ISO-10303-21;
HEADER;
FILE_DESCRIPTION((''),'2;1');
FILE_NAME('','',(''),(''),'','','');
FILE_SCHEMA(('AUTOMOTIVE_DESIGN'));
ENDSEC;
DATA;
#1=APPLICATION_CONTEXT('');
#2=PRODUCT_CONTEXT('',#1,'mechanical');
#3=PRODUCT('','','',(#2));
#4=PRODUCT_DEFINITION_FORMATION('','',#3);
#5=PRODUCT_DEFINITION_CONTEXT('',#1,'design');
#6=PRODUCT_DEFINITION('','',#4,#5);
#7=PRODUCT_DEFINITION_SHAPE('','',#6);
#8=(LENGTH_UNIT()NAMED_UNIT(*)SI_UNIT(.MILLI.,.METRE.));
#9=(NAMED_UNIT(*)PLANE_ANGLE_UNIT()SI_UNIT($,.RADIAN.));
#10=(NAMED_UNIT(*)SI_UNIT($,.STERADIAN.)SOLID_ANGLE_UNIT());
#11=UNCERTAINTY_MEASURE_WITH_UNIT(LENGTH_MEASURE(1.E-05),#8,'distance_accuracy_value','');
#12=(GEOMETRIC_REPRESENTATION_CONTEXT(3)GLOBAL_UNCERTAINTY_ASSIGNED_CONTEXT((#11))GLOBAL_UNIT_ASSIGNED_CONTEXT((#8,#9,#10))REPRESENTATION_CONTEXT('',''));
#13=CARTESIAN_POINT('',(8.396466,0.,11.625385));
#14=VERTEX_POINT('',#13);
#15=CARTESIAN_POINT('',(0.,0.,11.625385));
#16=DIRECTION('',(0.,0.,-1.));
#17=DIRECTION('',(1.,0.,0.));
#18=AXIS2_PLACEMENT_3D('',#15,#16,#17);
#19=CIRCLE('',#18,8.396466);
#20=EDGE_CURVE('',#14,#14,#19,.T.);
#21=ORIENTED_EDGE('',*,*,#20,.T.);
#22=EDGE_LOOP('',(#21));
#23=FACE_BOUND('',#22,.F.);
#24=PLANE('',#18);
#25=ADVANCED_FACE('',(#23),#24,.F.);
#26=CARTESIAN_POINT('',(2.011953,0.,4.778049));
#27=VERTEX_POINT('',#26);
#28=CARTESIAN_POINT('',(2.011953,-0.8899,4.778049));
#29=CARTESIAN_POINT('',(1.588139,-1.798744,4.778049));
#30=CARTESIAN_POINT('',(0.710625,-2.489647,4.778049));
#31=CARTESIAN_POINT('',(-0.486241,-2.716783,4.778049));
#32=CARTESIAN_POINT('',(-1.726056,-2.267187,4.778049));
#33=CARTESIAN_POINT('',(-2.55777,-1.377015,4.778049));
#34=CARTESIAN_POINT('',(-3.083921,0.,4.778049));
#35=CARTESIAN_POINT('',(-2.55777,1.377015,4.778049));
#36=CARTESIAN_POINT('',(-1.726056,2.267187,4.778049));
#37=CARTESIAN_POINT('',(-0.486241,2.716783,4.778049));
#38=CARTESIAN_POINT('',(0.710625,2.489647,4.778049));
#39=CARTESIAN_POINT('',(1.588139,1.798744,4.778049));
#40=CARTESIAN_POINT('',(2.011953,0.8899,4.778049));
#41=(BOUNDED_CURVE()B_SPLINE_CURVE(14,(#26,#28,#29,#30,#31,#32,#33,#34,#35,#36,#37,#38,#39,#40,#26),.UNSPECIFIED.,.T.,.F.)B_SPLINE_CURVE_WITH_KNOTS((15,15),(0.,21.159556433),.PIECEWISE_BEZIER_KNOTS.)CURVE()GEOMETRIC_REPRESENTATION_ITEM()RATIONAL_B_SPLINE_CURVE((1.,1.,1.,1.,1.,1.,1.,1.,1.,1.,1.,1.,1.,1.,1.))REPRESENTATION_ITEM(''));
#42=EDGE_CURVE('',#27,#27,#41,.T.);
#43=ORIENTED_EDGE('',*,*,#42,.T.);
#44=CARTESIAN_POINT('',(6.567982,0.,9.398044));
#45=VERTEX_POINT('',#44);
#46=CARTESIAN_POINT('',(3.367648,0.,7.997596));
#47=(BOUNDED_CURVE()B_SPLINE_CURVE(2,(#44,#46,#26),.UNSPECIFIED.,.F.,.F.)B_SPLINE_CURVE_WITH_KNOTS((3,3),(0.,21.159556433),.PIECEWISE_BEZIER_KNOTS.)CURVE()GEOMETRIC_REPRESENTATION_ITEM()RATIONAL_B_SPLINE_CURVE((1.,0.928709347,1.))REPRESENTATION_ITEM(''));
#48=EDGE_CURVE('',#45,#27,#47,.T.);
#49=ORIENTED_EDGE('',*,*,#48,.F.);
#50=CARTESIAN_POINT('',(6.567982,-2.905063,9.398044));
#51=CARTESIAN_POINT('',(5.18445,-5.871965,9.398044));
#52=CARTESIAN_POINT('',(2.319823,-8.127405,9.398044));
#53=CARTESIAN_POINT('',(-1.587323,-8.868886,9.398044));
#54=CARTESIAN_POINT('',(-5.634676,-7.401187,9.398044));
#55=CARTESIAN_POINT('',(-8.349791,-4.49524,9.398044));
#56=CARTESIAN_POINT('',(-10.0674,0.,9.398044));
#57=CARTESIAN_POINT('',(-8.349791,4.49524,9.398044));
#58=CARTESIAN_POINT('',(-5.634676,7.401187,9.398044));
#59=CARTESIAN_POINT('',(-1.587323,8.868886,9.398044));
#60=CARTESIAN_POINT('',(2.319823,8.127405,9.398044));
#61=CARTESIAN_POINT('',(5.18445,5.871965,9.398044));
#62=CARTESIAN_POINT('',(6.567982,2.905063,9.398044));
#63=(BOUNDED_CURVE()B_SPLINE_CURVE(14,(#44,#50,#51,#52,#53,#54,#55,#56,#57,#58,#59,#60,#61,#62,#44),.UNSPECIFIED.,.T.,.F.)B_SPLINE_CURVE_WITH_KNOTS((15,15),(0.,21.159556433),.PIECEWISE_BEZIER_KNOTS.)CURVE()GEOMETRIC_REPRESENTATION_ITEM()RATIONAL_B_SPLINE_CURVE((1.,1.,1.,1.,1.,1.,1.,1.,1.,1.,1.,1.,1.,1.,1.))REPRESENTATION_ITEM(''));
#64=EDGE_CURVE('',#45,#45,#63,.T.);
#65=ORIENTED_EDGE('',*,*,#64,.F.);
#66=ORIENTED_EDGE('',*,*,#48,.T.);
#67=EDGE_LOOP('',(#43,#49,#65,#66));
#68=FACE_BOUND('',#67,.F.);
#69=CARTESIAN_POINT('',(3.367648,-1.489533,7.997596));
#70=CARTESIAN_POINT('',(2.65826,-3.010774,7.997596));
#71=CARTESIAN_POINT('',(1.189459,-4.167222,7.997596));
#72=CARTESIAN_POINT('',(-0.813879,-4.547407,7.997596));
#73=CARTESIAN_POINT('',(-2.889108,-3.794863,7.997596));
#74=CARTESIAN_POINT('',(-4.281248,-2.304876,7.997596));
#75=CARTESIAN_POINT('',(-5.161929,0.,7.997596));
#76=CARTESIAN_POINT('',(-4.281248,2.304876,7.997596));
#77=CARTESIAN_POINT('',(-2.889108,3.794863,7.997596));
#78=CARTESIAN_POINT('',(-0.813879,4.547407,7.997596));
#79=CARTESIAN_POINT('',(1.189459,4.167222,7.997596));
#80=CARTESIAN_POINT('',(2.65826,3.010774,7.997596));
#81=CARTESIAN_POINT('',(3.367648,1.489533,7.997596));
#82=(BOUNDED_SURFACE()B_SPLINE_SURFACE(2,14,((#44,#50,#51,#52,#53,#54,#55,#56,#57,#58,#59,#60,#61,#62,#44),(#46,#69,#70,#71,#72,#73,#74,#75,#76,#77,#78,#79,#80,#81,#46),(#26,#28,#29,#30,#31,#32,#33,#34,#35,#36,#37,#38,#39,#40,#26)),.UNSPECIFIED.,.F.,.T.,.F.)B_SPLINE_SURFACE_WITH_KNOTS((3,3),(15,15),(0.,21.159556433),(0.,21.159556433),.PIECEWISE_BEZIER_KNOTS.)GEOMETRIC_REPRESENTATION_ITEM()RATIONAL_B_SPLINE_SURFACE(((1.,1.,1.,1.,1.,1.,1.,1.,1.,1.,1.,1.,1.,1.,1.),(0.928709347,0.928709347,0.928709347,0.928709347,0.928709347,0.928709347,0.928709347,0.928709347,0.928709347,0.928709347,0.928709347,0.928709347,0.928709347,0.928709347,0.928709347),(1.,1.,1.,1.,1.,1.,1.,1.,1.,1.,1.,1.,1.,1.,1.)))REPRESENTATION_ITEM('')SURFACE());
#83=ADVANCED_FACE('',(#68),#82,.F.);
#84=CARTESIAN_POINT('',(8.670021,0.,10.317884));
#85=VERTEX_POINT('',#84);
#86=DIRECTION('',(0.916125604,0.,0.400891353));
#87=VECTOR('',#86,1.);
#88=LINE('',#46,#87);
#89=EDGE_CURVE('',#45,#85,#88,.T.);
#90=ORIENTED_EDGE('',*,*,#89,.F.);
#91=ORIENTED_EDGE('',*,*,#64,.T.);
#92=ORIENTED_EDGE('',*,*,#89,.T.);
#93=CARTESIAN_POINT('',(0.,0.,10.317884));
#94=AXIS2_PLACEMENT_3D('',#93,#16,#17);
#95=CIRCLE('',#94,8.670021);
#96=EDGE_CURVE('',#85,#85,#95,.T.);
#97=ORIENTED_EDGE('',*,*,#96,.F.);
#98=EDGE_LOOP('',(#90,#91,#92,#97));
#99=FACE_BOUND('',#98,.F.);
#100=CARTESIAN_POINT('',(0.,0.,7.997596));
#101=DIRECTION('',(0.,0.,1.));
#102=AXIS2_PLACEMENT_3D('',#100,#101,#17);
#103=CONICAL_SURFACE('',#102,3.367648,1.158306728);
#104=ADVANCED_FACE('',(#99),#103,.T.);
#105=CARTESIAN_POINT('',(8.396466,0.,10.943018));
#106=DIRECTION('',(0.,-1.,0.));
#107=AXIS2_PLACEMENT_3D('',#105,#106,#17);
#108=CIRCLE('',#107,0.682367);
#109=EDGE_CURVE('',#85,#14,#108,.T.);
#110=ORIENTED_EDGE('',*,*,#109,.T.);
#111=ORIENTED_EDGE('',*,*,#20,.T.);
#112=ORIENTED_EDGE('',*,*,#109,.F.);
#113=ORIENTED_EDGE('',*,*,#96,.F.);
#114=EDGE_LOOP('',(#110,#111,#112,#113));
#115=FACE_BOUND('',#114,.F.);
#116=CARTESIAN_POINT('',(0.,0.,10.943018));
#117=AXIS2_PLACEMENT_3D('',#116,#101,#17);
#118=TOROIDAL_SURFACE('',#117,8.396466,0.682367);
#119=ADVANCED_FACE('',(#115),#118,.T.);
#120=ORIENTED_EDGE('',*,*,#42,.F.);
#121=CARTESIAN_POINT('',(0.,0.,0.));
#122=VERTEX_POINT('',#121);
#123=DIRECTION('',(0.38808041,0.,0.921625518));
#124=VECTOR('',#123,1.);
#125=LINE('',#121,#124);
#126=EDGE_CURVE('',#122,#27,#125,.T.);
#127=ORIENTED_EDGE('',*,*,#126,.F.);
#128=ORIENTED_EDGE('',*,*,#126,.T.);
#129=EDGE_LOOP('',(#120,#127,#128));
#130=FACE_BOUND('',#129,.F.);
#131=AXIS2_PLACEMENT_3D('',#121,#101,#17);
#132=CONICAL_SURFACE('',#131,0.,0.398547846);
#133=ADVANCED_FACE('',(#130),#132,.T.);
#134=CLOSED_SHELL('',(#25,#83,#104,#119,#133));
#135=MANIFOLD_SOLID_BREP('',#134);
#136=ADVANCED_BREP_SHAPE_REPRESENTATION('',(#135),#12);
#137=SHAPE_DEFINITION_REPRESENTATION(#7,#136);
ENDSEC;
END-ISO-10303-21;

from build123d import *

# Parameters (mm, degrees)
F2_R = 0.682367
F3_R = 8.749241


with BuildPart() as f1:
    # F0 (on Front) → F1 (revolve)
    with BuildSketch(Plane.XZ):
        Polygon((0, 11.625385), (0, 0), (3.367648, 7.997596), (11.65795, 11.625385), align=None)
    revolve(axis=Axis((0, 0, 5.812692), (0, 0, -1)))

    # F2
    f2_edges = [f1.edges().sort_by_distance(p)[0] for p in [
        (-11.65795, 0, 11.625385),
    ]]
    fillet(f2_edges, radius=F2_R)

    # F3
    f3_edges = [f1.edges().sort_by_distance(p)[0] for p in [
        (-3.367648, 0, 7.997596),
    ]]
    fillet(f3_edges, radius=F3_R)


solid = f1.part
